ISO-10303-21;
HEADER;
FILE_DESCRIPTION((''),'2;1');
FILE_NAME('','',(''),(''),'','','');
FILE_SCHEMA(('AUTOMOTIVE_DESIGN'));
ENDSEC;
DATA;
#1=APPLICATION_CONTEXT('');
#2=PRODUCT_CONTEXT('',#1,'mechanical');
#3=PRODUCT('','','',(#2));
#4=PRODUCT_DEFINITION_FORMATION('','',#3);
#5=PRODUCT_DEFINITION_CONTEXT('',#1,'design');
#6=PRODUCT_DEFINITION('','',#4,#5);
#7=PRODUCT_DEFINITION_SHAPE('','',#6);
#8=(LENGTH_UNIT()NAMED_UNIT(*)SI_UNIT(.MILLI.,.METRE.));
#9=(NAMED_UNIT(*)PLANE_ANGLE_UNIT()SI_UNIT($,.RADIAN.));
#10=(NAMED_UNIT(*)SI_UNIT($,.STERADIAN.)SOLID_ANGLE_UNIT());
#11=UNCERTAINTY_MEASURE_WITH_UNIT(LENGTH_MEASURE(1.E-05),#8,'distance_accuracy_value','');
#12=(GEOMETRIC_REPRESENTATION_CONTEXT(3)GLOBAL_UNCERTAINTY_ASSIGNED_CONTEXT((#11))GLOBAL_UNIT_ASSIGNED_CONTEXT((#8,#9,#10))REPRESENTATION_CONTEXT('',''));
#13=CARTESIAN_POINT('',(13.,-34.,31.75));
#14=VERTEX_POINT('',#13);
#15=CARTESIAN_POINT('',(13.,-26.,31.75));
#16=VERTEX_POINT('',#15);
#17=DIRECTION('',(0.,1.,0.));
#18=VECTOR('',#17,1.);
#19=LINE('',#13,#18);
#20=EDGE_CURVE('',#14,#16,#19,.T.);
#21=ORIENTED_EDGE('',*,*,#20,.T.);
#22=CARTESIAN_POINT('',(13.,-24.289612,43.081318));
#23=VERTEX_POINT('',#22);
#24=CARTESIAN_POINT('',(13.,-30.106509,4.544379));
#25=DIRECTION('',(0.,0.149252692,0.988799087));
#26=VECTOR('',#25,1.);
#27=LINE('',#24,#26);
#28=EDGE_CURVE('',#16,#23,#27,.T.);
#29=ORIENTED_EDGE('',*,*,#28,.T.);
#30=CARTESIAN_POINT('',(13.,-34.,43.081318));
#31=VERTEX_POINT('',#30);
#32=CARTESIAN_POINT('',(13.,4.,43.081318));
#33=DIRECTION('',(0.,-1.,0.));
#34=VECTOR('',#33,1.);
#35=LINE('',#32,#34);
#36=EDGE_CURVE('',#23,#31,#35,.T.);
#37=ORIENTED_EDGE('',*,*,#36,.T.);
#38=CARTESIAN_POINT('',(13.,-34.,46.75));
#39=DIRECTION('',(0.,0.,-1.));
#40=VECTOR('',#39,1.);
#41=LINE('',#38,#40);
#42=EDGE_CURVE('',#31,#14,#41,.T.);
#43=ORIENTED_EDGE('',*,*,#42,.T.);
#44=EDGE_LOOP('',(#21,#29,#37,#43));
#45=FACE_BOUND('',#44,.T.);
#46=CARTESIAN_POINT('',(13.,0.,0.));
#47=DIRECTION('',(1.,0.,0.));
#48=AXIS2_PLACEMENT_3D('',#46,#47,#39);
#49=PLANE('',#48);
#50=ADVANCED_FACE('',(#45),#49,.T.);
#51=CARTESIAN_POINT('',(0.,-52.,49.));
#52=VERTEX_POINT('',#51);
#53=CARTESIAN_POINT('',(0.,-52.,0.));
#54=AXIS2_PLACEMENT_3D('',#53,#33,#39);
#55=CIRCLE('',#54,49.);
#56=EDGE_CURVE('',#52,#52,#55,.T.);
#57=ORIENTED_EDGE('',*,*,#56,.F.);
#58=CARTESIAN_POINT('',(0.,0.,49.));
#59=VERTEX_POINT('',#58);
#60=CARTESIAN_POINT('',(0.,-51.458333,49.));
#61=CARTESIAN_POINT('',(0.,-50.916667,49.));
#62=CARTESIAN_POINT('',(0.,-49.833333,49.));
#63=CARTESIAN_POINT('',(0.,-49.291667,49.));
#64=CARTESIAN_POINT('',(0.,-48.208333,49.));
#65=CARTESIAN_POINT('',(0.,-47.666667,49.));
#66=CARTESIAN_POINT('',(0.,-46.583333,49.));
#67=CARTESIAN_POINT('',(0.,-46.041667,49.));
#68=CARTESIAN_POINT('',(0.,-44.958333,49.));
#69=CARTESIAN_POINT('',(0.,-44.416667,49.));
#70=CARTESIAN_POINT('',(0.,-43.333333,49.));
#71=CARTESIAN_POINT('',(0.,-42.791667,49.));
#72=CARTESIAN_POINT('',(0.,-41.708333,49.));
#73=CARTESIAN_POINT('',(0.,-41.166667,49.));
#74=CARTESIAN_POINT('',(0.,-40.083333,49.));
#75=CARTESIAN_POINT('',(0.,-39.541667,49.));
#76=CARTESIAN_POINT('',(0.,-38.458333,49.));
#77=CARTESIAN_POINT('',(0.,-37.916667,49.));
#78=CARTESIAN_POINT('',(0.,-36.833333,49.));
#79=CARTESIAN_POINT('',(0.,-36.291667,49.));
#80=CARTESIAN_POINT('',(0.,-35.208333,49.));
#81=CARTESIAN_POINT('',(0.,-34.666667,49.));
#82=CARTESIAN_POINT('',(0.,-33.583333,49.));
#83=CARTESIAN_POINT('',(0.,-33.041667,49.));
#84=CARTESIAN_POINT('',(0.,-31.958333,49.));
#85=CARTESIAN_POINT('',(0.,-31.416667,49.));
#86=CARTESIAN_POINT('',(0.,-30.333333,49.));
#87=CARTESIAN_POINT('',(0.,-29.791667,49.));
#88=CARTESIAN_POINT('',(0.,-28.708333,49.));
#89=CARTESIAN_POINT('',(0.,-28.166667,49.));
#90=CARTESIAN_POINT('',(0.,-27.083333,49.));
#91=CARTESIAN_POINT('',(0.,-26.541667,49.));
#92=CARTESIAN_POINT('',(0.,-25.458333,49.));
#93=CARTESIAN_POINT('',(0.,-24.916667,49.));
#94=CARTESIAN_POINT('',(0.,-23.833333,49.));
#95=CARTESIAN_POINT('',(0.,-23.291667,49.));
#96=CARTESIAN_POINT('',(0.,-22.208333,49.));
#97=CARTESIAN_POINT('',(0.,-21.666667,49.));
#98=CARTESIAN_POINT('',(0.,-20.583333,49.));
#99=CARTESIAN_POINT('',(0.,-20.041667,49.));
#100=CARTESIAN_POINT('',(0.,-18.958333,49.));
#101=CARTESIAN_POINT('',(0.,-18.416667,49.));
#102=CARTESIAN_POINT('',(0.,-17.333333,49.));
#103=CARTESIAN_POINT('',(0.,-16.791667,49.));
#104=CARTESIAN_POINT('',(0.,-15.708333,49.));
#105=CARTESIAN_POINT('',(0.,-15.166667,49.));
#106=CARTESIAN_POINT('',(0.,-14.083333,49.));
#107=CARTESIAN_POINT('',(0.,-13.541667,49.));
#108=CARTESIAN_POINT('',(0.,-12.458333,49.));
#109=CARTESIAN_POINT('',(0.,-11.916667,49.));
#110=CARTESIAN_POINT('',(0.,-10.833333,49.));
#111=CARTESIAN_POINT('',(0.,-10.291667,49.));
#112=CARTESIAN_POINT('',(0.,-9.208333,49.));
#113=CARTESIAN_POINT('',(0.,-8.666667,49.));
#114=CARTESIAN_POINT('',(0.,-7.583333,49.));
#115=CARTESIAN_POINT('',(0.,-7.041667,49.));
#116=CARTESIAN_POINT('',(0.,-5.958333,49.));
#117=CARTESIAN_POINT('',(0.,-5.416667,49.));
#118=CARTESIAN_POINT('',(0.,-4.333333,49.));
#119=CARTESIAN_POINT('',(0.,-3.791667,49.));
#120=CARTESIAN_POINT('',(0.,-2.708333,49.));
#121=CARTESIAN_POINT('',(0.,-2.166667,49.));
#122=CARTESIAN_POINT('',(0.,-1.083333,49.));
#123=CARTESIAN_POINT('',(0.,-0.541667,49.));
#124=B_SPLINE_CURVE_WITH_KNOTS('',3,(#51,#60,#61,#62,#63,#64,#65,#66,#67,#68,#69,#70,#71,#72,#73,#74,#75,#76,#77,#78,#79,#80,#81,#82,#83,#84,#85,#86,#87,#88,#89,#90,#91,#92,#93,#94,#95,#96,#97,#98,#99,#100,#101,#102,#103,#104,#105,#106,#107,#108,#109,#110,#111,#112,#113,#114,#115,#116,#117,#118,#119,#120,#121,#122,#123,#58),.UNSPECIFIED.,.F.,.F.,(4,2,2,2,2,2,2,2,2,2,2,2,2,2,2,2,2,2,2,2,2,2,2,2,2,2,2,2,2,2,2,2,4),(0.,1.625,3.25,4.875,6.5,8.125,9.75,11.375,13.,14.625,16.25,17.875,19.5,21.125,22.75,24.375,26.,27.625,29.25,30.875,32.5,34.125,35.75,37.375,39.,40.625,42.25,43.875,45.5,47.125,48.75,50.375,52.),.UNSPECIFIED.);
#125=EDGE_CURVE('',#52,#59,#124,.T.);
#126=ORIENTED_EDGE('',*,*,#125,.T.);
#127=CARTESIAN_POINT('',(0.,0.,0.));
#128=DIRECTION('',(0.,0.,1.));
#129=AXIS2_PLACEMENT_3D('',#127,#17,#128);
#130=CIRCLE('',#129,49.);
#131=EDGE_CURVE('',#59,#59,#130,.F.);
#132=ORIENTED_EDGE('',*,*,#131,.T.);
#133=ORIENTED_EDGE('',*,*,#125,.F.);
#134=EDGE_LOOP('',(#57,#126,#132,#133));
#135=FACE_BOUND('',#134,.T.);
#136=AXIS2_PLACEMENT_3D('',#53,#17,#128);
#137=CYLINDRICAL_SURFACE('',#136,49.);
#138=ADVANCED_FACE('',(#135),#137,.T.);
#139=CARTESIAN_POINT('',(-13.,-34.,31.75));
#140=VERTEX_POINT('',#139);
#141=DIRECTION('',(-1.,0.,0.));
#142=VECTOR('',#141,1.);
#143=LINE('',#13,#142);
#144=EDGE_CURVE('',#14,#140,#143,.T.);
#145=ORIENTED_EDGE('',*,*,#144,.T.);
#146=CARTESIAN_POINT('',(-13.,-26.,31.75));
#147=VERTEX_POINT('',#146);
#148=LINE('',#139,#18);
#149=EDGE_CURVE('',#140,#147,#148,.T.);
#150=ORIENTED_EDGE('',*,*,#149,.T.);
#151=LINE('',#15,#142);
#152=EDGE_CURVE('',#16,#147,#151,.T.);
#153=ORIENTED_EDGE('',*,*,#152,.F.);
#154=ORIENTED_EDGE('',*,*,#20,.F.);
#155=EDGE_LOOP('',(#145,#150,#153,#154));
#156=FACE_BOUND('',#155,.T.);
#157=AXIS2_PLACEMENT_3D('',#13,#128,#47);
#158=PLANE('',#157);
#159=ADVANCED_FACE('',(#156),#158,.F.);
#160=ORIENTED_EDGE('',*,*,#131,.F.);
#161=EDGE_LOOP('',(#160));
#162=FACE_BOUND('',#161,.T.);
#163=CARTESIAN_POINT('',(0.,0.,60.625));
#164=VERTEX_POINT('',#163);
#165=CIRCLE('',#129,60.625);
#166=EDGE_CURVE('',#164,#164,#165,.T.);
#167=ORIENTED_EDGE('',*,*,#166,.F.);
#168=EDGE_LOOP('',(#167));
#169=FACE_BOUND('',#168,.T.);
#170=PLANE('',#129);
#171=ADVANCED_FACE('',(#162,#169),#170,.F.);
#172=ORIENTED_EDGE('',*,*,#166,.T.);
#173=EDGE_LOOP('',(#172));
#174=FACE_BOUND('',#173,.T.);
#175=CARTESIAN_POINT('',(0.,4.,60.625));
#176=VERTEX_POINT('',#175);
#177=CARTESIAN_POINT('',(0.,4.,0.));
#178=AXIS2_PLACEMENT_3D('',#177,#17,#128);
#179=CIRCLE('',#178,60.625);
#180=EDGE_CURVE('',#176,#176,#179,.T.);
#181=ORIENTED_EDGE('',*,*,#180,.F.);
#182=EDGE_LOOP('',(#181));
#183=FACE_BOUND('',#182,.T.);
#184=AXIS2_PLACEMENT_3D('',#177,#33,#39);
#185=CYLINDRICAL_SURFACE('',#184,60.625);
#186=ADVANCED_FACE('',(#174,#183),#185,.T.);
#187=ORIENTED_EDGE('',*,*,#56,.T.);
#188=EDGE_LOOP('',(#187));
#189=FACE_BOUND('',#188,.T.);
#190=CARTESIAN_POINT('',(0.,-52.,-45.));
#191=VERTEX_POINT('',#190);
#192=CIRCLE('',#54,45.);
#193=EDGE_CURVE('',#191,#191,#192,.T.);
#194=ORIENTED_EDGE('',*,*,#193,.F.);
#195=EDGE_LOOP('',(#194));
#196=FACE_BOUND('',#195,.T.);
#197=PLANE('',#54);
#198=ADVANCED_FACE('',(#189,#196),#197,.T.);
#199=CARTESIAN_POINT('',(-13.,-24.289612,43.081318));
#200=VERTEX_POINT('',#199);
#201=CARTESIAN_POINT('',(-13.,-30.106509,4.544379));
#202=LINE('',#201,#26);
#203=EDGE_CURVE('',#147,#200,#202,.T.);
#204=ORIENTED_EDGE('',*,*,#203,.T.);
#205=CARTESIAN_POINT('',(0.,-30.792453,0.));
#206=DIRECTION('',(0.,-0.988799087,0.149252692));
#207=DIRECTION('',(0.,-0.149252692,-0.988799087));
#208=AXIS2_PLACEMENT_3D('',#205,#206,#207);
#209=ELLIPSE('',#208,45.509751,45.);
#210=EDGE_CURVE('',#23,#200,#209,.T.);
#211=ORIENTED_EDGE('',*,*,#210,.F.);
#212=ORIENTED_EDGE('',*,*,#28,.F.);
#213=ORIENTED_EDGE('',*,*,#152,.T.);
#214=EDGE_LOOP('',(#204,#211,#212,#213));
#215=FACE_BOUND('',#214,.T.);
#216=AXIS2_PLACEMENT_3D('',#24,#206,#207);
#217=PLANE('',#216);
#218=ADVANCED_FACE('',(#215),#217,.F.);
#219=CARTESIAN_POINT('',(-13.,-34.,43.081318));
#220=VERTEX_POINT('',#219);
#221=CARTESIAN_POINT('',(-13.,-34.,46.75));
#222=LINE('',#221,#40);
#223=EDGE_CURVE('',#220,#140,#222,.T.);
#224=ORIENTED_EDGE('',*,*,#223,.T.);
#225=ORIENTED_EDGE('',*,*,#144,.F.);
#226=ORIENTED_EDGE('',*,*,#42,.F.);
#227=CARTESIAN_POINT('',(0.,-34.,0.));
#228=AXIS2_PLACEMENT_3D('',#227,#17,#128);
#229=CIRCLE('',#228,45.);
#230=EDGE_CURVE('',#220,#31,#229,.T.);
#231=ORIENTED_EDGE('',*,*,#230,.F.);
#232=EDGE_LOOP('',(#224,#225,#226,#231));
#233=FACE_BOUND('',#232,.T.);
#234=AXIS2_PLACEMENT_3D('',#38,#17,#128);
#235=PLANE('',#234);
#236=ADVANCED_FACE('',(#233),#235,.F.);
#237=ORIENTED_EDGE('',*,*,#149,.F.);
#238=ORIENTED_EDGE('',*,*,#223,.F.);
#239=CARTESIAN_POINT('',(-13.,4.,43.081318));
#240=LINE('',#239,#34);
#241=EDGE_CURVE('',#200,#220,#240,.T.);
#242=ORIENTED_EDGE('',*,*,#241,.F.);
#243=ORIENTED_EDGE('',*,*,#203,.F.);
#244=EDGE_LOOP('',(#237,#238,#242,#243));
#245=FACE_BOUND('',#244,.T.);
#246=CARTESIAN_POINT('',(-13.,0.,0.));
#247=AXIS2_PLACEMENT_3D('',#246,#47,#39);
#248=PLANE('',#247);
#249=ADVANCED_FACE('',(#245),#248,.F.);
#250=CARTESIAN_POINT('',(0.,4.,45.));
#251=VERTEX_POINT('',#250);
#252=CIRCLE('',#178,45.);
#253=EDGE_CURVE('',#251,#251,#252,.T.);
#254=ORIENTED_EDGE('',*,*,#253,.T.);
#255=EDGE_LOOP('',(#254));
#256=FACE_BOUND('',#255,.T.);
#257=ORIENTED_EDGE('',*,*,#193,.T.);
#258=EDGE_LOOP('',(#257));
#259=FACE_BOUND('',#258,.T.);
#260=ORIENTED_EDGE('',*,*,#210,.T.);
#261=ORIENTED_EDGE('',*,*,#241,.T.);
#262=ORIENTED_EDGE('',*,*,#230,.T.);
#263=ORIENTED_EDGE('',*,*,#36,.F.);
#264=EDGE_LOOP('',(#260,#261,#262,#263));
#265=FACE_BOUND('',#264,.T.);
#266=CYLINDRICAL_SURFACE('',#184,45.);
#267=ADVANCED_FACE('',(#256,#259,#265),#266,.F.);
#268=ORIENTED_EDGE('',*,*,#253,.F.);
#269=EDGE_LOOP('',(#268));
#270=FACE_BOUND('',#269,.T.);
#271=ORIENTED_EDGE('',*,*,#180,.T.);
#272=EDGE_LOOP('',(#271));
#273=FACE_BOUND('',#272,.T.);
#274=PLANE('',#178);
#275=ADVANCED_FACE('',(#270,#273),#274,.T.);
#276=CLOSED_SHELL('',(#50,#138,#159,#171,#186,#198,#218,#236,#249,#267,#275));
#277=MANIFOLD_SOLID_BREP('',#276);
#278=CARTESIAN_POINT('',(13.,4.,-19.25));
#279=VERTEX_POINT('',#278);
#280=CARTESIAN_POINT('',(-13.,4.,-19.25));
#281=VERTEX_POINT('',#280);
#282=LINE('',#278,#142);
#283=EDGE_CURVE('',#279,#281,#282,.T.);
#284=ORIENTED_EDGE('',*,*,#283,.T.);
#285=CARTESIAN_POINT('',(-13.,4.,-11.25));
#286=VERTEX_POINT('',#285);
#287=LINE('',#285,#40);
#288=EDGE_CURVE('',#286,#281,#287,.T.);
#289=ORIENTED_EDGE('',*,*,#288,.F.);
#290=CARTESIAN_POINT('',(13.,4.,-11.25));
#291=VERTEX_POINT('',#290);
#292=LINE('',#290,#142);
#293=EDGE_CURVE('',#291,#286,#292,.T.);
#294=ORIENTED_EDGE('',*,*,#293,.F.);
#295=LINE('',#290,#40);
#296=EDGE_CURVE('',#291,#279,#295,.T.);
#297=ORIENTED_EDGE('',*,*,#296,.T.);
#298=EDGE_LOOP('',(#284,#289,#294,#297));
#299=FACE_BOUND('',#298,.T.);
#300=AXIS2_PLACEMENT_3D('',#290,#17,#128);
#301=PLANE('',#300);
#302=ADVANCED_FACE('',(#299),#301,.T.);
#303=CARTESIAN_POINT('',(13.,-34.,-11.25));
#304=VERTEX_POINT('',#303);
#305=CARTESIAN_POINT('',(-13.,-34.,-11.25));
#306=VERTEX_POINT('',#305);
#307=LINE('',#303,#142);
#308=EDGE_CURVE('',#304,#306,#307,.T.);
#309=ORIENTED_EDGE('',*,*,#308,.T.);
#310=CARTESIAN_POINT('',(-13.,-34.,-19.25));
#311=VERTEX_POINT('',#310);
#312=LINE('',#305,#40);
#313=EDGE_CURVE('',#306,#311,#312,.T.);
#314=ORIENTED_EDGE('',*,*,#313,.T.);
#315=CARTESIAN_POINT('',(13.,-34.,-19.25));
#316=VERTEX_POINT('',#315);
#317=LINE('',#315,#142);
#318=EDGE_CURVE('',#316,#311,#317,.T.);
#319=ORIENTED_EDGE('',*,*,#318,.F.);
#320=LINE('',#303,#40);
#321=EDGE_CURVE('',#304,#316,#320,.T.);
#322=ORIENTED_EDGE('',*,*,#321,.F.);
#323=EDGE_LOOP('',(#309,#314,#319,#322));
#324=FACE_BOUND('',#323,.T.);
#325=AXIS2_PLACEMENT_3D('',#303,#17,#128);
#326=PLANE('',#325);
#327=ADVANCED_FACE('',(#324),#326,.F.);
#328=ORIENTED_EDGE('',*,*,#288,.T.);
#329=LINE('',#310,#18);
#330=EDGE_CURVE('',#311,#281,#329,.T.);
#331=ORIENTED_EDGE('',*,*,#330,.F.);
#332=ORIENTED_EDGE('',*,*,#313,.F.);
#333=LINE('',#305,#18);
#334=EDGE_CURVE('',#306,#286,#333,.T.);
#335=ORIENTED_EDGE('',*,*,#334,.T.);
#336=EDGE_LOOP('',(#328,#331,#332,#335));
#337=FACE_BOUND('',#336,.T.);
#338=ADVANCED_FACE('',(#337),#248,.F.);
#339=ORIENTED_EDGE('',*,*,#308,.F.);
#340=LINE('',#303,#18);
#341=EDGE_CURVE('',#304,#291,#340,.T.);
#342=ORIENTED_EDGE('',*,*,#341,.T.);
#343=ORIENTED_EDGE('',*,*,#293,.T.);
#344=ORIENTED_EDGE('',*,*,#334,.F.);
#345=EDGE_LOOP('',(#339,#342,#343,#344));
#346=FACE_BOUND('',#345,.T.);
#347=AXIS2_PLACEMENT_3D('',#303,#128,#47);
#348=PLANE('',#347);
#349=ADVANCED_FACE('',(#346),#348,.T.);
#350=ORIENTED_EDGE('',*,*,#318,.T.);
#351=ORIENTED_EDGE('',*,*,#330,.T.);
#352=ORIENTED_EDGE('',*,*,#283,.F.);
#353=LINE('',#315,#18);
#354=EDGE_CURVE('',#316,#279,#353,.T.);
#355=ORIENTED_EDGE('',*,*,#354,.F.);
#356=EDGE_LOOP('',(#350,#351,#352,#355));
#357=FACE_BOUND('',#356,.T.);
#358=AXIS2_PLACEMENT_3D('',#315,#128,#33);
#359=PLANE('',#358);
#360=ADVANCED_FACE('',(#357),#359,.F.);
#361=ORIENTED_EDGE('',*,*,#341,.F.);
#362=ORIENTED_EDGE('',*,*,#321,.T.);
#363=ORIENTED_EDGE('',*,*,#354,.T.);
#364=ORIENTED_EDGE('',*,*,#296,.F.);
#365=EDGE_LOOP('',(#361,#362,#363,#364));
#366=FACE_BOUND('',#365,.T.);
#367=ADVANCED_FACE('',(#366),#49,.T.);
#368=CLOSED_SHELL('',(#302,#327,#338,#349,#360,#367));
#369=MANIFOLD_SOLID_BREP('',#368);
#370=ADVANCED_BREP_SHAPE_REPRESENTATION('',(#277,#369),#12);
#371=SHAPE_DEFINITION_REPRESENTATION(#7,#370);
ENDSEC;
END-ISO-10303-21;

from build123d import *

# Parameters (mm, degrees)
SKETCH_1_R      = 60.625
SKETCH_1_R_2    = 45
EXTRUDE_1_DEPTH = 4
EXTRUDE_START   = 52
SKETCH_8_R      = 49
SKETCH_8_R_2    = 45
EXTRUDE_3_DEPTH = 52
SKETCH_9_W      = 15
SKETCH_9_H      = 8
EXTRUDE_4_DEPTH = 13
SKETCH_9_3_W    = 8
SKETCH_9_3_H    = 38
EXTRUDE_5_DEPTH = 13
EXTRUDE_6_DEPTH = 13


with BuildPart() as part:
    # 草图1 → 凸台-拉伸1 (new body)
    with BuildSketch(Plane(origin=(0, 0, 0), x_dir=(1, 0, 0), z_dir=(0, 1, 0))):
        Circle(SKETCH_1_R)
        Circle(SKETCH_1_R_2, mode=Mode.SUBTRACT)
    extrude(amount=EXTRUDE_1_DEPTH)

    # 草图8 → 凸台-拉伸3 (add)
    with BuildSketch(Plane.XZ.offset(EXTRUDE_START)):
        Circle(SKETCH_8_R)
        Circle(SKETCH_8_R_2, mode=Mode.SUBTRACT)
    extrude(amount=-EXTRUDE_3_DEPTH)

    # 草图9 → 凸台-拉伸4 (add, symmetric)
    with BuildSketch(Plane(origin=(0, 0, 0), x_dir=(0, 0, -1), z_dir=(1, 0, 0))):
        with Locations((-39.25, -30)):
            Rectangle(SKETCH_9_W, SKETCH_9_H)
    extrude(amount=EXTRUDE_4_DEPTH, both=True)

    # 草图9<8> → 凸台-拉伸6 (add, symmetric)
    with BuildSketch(Plane(origin=(0, 0, 0), x_dir=(0, 0, -1), z_dir=(1, 0, 0))):
        Polygon((-31.75, -26), (-45, -24), (-45, -26), align=None)
    extrude(amount=EXTRUDE_6_DEPTH, both=True)


with BuildPart() as body_2:
    # 草图9<3> → 凸台-拉伸5 (new, symmetric)
    with BuildSketch(Plane(origin=(0, 0, 0), x_dir=(0, 0, -1), z_dir=(1, 0, 0))):
        with Locations((15.25, -15)):
            Rectangle(SKETCH_9_3_W, SKETCH_9_3_H)
    extrude(amount=EXTRUDE_5_DEPTH, both=True)


solid = Compound([part.part, body_2.part])
